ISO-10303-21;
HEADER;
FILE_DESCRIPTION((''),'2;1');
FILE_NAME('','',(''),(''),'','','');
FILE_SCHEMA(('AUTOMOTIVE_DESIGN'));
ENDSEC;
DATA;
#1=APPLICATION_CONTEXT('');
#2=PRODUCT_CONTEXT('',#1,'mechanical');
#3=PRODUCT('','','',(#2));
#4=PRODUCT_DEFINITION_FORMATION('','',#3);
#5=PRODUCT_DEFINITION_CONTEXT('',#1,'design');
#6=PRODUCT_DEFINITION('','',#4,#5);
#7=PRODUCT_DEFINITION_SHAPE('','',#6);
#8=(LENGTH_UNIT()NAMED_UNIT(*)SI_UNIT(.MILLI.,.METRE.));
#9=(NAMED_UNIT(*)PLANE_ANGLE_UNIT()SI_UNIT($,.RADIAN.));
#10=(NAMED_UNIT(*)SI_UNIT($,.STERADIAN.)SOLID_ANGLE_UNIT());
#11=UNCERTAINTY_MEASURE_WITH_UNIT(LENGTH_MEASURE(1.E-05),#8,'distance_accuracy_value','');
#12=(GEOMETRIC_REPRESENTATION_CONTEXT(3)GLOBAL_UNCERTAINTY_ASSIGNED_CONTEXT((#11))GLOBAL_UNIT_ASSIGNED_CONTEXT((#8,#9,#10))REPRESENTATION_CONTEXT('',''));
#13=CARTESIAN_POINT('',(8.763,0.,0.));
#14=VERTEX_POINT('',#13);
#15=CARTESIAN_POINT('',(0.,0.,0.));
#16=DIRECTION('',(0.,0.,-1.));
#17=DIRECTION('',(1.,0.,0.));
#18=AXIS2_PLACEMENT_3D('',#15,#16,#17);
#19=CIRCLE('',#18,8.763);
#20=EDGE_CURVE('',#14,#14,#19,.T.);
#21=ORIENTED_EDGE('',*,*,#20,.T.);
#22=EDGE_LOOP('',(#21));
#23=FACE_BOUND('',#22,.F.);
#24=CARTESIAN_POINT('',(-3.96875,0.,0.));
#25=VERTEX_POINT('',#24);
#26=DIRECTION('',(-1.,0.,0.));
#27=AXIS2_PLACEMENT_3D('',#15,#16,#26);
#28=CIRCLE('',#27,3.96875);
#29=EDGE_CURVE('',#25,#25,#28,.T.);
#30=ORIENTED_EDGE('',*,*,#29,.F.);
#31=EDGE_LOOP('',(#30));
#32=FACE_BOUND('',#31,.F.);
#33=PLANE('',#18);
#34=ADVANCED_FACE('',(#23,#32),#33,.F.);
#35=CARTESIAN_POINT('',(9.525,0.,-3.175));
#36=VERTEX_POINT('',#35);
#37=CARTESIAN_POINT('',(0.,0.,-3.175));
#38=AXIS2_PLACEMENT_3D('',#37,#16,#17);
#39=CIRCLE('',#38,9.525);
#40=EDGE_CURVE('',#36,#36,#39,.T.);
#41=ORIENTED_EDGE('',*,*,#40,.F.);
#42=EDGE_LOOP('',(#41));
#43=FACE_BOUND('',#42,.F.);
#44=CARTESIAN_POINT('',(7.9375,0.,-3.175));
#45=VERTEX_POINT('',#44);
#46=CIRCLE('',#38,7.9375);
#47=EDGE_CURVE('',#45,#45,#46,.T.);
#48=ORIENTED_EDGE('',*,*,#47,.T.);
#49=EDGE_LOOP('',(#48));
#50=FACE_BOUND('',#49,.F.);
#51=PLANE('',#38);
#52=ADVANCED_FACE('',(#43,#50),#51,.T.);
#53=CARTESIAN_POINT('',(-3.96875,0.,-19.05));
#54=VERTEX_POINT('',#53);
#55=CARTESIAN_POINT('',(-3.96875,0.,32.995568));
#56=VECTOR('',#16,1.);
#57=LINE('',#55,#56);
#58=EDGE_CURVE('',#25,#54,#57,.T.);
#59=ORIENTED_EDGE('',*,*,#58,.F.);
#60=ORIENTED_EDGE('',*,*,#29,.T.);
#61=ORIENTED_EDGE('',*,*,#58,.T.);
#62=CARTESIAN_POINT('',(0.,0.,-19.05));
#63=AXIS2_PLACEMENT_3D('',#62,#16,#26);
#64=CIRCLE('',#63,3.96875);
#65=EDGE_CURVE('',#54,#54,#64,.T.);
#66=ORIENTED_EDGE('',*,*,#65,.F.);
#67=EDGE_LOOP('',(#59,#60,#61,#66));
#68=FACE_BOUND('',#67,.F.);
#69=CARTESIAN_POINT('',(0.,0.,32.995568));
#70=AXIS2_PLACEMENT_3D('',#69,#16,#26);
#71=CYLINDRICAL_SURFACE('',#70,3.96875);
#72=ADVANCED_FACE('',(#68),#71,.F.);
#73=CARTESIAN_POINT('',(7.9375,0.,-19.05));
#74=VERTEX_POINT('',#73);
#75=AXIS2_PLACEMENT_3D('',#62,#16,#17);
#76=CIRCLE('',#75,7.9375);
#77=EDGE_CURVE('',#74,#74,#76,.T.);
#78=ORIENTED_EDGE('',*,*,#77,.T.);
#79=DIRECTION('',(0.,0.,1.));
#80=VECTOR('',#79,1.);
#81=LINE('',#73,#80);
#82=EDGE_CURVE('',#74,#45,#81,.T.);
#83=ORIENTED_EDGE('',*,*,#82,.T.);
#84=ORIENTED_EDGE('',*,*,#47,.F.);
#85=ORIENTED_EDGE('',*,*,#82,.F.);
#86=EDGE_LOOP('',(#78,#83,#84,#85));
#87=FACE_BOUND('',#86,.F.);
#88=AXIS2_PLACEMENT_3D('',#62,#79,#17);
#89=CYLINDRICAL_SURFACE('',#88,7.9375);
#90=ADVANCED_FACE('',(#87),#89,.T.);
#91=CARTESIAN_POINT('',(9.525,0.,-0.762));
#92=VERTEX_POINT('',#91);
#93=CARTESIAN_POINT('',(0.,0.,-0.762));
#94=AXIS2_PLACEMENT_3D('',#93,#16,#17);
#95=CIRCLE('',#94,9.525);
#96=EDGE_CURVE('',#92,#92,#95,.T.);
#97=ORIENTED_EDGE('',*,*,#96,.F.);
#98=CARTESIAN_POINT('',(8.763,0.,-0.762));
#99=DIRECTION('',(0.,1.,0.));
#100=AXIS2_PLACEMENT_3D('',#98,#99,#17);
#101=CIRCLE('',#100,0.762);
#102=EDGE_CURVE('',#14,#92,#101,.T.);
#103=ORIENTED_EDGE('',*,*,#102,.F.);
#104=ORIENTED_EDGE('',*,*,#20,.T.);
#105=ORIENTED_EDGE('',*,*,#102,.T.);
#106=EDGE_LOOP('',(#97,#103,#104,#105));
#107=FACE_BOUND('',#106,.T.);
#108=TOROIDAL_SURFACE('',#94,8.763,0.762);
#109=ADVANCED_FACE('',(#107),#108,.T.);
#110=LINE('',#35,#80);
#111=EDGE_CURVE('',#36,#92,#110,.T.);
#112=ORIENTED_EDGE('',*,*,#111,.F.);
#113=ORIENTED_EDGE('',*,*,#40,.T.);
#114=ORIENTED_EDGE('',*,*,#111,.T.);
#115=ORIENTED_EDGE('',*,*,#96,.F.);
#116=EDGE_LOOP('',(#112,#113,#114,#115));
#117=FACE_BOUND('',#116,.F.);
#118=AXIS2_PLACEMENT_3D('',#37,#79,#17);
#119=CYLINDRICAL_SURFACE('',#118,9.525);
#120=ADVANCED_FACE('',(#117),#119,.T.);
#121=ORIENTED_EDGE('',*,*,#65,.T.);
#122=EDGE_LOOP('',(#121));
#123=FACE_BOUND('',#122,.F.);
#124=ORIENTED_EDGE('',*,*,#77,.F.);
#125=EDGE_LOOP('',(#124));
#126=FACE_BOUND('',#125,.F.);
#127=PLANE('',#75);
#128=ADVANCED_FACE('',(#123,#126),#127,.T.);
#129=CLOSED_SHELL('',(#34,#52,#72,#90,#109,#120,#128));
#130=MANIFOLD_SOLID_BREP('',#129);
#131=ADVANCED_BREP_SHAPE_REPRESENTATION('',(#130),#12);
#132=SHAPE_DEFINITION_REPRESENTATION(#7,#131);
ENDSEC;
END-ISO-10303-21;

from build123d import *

# Parameters (mm, degrees)
F2_R = 0.762
F4_D = 7.9375


with BuildPart() as f1:
    # F0 (on Front) → F1 (revolve)
    with BuildSketch(Plane.XZ):
        Polygon((9.525, 0), (0, 0), (0, -19.05), (7.9375, -19.05), (7.9375, -3.175), (9.525, -3.175), align=None)
    revolve(axis=Axis((0, 0, -9.525), (0, 0, -1)))

    # F2
    f2_edges = [f1.edges().sort_by_distance(p)[0] for p in [
        (-9.525, 0, 0),
    ]]
    fillet(f2_edges, radius=F2_R)

    # F4 (through all)
    with Locations(Plane.XY):
        with Locations((0, 0)):
            Hole(F4_D / 2)


solid = f1.part
